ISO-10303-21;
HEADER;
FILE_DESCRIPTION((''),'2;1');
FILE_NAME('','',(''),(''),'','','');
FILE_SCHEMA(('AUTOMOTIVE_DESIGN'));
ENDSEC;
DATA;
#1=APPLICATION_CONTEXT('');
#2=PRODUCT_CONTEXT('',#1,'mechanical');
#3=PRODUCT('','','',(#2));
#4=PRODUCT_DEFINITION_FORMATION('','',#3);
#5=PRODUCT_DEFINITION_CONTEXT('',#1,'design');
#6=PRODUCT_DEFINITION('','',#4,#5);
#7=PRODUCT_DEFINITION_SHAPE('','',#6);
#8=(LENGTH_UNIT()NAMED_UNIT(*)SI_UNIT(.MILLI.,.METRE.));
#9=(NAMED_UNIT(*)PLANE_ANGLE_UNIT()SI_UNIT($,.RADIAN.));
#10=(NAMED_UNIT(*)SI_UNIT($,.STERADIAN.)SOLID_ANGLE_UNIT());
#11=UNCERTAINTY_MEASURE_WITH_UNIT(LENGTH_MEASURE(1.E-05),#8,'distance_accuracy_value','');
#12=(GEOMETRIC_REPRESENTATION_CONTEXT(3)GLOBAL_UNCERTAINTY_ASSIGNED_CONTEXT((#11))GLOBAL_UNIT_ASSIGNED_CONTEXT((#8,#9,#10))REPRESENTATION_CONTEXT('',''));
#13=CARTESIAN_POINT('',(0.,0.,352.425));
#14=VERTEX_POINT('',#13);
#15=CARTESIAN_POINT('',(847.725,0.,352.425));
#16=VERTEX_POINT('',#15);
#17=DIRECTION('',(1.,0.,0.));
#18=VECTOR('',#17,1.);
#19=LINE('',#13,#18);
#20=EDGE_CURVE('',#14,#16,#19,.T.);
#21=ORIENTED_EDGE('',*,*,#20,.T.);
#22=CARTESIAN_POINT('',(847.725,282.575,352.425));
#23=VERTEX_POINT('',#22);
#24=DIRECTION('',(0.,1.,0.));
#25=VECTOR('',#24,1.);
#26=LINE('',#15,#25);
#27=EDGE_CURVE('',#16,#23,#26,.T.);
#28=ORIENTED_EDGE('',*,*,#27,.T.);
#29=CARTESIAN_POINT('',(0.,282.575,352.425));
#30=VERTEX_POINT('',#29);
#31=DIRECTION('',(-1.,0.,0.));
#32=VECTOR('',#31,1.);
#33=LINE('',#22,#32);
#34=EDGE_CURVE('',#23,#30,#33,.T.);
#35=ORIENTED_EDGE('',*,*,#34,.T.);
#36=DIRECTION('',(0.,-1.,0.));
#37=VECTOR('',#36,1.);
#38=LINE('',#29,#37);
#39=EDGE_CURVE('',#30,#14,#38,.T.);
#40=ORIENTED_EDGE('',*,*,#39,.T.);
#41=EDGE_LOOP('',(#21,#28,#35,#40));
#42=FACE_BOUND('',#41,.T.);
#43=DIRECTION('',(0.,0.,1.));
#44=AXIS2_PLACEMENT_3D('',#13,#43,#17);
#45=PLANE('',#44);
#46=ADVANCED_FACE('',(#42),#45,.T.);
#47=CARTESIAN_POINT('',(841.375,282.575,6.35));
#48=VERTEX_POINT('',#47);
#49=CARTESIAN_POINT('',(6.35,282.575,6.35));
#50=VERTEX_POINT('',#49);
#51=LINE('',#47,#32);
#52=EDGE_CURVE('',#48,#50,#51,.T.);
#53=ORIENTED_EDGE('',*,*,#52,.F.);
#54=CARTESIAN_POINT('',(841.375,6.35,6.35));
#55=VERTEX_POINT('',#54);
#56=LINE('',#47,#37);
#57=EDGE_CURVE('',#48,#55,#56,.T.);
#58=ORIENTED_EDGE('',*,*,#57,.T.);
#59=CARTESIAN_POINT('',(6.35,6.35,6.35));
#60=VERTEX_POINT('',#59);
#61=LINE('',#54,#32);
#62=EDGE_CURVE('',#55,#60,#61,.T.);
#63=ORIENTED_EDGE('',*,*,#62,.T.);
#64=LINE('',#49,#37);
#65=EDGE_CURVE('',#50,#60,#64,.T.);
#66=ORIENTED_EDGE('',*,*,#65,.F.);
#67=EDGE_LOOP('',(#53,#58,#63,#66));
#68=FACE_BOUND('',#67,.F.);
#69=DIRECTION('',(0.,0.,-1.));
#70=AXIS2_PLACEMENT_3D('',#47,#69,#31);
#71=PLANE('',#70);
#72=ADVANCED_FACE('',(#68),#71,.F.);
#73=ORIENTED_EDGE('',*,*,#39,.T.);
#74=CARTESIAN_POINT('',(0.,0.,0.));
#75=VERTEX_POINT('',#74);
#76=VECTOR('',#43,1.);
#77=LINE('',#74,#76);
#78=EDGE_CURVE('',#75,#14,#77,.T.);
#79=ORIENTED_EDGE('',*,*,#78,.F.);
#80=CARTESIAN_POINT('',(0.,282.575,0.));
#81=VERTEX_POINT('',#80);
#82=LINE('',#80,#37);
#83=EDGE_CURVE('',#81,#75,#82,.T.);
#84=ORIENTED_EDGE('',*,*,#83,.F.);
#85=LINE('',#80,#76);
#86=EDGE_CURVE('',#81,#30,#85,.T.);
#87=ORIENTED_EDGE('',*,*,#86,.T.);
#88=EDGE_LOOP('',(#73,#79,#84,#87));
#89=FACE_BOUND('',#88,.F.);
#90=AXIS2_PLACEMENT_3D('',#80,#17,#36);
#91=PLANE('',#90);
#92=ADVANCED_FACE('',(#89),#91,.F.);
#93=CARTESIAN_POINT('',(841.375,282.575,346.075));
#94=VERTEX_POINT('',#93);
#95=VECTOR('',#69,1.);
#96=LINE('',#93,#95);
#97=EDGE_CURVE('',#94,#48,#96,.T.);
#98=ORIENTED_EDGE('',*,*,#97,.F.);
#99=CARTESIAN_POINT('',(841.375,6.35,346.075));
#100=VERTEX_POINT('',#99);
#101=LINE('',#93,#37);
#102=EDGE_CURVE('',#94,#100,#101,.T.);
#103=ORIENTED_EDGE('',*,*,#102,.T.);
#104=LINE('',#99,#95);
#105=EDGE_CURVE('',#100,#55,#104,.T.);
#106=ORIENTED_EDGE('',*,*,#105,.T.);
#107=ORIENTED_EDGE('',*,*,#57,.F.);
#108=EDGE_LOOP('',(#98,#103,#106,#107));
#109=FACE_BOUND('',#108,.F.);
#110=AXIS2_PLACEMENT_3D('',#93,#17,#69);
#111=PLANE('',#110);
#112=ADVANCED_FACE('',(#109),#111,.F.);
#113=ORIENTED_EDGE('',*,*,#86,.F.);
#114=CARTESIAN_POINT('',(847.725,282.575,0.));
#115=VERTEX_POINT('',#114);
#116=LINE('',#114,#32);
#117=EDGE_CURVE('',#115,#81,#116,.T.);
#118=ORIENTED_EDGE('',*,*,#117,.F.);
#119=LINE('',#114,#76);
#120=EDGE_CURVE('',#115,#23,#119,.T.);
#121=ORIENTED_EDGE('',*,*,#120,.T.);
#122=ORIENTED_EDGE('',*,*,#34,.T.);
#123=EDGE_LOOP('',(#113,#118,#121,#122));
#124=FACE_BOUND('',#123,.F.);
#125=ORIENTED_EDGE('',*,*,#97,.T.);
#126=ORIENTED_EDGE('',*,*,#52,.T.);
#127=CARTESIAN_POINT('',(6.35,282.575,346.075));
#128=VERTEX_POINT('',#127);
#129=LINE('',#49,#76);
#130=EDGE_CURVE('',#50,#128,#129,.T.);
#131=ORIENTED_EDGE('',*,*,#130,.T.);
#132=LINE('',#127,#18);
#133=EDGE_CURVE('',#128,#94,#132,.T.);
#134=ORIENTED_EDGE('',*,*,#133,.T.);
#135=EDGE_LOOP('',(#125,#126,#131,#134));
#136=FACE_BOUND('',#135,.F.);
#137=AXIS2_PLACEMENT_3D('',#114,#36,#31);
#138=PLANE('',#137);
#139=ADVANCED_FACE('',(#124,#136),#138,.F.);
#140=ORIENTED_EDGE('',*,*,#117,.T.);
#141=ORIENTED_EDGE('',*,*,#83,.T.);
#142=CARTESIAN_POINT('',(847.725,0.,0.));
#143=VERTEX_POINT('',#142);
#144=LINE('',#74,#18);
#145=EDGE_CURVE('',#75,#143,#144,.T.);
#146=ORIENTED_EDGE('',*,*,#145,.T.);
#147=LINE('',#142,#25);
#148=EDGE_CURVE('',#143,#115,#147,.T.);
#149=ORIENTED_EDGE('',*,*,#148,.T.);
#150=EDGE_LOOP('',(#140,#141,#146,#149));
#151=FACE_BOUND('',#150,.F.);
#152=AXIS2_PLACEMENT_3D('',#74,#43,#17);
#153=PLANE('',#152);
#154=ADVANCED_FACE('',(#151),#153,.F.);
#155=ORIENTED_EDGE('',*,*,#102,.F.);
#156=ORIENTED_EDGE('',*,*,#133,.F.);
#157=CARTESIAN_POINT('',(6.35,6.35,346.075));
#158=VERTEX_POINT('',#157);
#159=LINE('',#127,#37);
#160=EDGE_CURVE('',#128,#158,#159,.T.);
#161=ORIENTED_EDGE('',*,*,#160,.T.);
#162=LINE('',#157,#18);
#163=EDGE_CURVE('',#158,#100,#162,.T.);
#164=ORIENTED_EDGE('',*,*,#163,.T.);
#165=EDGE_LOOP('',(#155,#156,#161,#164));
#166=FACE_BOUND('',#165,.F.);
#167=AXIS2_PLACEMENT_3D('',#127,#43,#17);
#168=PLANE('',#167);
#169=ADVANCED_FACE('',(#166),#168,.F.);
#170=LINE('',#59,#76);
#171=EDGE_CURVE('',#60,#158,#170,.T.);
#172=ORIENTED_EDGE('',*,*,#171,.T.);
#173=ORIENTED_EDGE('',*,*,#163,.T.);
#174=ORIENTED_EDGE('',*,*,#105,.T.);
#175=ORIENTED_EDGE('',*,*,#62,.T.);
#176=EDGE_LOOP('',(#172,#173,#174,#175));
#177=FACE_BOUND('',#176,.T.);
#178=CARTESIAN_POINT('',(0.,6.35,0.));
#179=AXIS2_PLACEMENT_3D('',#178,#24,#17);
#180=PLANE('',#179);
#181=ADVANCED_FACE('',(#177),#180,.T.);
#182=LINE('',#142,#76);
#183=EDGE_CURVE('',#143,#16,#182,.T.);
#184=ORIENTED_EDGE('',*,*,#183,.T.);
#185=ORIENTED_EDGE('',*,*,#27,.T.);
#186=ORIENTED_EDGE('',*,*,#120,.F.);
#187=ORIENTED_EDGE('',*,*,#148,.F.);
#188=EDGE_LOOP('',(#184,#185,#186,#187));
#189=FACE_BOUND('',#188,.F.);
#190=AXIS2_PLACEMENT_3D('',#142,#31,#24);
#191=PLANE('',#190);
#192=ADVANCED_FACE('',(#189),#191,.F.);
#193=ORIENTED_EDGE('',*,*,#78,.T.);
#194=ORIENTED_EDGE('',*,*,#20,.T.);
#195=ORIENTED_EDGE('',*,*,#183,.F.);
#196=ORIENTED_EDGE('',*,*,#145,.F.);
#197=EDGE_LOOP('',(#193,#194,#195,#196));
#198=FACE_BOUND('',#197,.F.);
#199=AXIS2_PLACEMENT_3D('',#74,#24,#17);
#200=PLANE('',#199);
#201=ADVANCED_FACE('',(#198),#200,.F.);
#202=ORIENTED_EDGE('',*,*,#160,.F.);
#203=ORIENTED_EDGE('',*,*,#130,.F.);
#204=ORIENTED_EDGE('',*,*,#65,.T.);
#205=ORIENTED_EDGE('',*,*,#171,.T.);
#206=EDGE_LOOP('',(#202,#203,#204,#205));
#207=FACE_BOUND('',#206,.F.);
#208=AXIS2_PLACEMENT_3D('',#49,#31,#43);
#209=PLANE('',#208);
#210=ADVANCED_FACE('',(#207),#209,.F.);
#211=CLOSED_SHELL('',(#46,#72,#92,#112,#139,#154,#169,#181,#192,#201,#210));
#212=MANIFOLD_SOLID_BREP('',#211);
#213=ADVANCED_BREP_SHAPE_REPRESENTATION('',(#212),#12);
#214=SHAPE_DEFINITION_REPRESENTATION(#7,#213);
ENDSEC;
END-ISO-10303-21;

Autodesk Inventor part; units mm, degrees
ref_plane "YZ Plane" through (0, 0, 0) normal (1, 0, 0) x (0, 1, 0)
ref_plane "XZ Plane" through (0, 0, 0) normal (0, 1, 0) x (-1, 0, 0)
ref_plane "XY Plane" through (0, 0, 0) normal (0, 0, 1) x (1, 0, 0)
sketch "Sketch1" plane through (0, 0, 0) normal (0, 0, 1) x (1, 0, 0)
  line L0 (0, 0) -> (847.725, 0)
  line L1 (847.725, 0) -> (847.725, 282.575)
  line L2 (847.725, 282.575) -> (0, 282.575)
  line L3 (0, 282.575) -> (0, 0)
  dimension "d0" = 847.725
  dimension "d1" = 282.575
extrude "Extrusion1" add sketch "Sketch1" along normal blind 352.425
sketch "Sketch2" plane through (0, 282.575, 0) normal (0, 1, 0) x (1, 0, 0)
  line L0 (0, -352.425) -> (847.725, -352.425) projected
  line L1 (0, 0) -> (0, -352.425) projected
  line L2 (6.35, -346.075) -> (841.375, -346.075)
  line L3 (841.375, -346.075) -> (841.375, -6.35)
  line L4 (841.375, -6.35) -> (6.35, -6.35)
  line L5 (6.35, -6.35) -> (6.35, -346.075)
  dimension "d4" = 6.35
  dimension "d5" = 6.35
  dimension "d6" = 835.025
  dimension "d7" = 339.725
extrude "Extrusion2" cut sketch "Sketch2" against normal blind 276.225
sketch "Sketch3" plane through (0, 0, 352.425) normal (0, 0, 1) x (1, 0, 0)
  line L0 (0, 0) -> (0, 282.575) projected
  line L1 (847.725, 0) -> (0, 0) projected
  line L2 (847.725, 282.575) -> (847.725, 0) projected
  line L3 (0, 282.575) -> (847.725, 282.575) projected
properties part number "super large Battery Box Pastic 4"
